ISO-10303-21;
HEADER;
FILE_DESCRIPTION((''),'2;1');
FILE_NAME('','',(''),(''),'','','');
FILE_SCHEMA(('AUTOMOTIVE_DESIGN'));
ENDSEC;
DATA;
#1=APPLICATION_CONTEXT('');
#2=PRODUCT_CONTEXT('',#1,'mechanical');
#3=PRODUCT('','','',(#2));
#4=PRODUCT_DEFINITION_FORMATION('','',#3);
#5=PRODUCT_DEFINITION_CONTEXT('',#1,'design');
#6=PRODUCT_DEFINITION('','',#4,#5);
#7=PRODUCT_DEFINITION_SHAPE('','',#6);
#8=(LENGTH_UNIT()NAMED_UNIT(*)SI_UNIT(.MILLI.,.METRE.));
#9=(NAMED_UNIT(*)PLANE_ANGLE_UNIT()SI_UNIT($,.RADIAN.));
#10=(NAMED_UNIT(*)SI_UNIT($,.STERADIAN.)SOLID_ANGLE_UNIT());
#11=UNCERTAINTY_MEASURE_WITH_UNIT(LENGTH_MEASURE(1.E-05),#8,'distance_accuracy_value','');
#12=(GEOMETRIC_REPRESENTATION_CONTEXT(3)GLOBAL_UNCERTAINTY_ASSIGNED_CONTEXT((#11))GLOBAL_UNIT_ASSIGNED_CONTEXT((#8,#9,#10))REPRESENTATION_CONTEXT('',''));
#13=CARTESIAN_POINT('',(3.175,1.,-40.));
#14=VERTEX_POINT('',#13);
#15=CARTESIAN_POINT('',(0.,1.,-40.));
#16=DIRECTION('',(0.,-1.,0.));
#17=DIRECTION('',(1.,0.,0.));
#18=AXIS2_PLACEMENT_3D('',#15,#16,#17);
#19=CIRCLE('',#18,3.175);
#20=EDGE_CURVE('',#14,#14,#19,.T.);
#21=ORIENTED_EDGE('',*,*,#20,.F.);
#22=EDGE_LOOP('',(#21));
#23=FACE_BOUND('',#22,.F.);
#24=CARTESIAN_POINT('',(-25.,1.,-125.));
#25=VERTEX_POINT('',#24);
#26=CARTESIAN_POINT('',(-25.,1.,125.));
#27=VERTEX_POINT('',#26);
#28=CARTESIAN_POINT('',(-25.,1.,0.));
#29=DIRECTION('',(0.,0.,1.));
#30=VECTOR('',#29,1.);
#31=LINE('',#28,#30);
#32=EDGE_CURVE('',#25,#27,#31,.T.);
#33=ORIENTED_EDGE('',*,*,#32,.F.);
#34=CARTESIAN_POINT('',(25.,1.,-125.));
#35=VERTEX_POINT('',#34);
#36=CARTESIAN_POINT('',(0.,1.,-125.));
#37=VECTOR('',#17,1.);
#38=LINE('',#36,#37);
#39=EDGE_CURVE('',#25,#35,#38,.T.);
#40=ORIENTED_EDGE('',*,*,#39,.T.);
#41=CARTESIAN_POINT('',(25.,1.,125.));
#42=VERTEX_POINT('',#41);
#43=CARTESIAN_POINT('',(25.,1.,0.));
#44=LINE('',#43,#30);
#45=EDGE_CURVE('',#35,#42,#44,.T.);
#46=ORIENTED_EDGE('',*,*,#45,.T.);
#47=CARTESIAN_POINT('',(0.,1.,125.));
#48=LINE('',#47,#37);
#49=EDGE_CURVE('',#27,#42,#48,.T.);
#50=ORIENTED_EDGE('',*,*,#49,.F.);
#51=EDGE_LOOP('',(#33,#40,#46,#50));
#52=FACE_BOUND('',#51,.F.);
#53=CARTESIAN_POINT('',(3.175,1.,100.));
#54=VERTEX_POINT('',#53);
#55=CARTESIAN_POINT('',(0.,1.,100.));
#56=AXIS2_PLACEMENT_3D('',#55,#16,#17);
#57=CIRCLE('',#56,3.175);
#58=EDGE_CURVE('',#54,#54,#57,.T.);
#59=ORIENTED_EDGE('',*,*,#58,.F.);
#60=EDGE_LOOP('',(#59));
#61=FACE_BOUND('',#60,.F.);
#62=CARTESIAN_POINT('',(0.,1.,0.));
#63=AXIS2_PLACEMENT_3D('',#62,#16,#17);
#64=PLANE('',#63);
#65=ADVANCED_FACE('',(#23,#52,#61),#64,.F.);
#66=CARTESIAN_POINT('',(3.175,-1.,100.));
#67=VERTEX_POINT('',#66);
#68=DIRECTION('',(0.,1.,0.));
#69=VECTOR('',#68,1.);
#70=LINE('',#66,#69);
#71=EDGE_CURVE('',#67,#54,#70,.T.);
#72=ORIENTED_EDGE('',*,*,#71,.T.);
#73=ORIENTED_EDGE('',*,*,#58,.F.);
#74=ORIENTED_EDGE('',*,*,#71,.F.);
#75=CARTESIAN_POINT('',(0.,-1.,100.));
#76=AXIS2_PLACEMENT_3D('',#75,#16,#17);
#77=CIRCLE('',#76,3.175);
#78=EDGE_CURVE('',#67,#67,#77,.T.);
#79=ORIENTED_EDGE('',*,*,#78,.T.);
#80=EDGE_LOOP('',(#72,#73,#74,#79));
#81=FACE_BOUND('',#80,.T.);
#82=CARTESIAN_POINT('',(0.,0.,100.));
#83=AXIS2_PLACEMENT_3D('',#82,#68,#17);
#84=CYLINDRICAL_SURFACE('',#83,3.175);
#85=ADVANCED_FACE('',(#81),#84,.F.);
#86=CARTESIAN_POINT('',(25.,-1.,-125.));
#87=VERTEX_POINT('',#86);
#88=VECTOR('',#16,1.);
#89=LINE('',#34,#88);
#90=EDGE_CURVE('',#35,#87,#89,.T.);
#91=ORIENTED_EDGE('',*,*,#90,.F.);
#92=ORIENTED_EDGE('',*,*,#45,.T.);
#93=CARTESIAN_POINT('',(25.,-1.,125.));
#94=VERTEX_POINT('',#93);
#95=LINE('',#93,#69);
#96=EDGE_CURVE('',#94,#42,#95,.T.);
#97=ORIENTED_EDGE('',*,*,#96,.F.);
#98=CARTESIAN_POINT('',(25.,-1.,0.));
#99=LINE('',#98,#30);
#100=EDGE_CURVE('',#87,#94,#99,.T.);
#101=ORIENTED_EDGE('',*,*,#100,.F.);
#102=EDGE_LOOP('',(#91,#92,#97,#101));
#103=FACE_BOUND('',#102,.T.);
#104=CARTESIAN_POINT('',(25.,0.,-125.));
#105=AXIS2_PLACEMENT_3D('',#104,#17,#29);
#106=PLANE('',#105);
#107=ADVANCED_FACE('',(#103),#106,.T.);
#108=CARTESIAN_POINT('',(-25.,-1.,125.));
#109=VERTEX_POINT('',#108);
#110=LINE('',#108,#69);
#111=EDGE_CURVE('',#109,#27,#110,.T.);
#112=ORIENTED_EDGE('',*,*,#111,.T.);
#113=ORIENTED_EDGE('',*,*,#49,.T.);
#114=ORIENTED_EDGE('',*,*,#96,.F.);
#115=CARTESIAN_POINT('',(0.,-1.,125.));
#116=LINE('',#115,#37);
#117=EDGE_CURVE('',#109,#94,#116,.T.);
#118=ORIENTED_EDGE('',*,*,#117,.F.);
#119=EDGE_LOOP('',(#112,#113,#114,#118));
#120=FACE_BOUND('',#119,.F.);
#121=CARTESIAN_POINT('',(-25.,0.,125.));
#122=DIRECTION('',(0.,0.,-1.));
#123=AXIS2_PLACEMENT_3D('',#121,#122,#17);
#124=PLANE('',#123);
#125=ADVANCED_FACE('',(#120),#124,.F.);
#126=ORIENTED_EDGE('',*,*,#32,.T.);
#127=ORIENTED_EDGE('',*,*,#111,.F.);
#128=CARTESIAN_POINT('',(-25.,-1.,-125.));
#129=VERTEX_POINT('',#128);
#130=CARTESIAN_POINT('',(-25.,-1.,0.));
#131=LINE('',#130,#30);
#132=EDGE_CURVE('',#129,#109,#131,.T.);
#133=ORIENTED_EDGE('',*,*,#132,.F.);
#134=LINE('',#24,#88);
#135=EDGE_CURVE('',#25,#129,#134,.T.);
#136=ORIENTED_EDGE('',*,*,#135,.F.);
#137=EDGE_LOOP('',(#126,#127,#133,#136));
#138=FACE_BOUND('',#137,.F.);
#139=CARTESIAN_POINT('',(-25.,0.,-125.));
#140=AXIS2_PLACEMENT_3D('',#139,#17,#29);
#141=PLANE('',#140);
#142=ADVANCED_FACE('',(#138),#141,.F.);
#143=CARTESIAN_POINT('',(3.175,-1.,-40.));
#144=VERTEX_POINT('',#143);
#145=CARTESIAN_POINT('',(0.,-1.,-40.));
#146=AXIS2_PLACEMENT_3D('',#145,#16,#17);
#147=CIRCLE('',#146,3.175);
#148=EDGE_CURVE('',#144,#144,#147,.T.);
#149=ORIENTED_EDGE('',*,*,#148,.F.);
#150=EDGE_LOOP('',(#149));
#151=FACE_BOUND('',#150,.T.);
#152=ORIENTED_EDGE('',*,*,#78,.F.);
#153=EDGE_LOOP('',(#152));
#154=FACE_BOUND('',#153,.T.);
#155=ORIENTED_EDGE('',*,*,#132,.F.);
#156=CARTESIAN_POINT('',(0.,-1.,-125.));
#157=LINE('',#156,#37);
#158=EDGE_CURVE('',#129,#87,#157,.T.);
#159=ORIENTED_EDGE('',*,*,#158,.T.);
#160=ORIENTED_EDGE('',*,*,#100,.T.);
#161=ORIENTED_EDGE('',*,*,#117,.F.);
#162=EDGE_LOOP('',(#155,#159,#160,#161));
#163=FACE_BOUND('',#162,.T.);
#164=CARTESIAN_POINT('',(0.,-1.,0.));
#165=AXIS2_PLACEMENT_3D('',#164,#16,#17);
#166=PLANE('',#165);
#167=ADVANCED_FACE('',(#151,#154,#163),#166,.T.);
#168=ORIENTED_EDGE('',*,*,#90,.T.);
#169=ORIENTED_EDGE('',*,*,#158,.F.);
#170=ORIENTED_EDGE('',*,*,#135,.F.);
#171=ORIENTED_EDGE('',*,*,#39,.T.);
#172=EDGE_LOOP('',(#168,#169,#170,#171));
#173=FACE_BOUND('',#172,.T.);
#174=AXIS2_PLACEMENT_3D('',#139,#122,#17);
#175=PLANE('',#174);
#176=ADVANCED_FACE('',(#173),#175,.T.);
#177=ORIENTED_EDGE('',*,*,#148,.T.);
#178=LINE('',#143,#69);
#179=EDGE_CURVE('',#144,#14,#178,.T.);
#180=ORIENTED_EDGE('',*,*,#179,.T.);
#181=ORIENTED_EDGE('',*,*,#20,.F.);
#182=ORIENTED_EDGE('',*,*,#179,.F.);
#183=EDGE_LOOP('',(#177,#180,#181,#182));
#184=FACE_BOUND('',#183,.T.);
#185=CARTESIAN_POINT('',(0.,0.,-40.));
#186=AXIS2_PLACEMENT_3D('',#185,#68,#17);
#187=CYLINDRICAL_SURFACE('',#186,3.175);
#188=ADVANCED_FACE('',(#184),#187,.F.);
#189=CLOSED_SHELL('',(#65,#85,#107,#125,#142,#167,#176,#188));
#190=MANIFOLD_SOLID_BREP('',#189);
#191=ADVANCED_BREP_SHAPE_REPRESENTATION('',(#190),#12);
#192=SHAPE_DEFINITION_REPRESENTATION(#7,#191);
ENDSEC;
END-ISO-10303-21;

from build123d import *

# Parameters (mm, degrees)
F0_W     = 50
F0_H     = 250
F0_R     = 3.175
F1_DEPTH = 1


with BuildPart() as f1:
    # F0 (on Front) → F1 (new body, symmetric)
    with BuildSketch(Plane.XZ):
        Rectangle(F0_W, F0_H)
        with Locations((0, -40)):
            Circle(F0_R, mode=Mode.SUBTRACT)
        with Locations((0, 100)):
            Circle(F0_R, mode=Mode.SUBTRACT)
    extrude(amount=F1_DEPTH, both=True)


solid = f1.part
